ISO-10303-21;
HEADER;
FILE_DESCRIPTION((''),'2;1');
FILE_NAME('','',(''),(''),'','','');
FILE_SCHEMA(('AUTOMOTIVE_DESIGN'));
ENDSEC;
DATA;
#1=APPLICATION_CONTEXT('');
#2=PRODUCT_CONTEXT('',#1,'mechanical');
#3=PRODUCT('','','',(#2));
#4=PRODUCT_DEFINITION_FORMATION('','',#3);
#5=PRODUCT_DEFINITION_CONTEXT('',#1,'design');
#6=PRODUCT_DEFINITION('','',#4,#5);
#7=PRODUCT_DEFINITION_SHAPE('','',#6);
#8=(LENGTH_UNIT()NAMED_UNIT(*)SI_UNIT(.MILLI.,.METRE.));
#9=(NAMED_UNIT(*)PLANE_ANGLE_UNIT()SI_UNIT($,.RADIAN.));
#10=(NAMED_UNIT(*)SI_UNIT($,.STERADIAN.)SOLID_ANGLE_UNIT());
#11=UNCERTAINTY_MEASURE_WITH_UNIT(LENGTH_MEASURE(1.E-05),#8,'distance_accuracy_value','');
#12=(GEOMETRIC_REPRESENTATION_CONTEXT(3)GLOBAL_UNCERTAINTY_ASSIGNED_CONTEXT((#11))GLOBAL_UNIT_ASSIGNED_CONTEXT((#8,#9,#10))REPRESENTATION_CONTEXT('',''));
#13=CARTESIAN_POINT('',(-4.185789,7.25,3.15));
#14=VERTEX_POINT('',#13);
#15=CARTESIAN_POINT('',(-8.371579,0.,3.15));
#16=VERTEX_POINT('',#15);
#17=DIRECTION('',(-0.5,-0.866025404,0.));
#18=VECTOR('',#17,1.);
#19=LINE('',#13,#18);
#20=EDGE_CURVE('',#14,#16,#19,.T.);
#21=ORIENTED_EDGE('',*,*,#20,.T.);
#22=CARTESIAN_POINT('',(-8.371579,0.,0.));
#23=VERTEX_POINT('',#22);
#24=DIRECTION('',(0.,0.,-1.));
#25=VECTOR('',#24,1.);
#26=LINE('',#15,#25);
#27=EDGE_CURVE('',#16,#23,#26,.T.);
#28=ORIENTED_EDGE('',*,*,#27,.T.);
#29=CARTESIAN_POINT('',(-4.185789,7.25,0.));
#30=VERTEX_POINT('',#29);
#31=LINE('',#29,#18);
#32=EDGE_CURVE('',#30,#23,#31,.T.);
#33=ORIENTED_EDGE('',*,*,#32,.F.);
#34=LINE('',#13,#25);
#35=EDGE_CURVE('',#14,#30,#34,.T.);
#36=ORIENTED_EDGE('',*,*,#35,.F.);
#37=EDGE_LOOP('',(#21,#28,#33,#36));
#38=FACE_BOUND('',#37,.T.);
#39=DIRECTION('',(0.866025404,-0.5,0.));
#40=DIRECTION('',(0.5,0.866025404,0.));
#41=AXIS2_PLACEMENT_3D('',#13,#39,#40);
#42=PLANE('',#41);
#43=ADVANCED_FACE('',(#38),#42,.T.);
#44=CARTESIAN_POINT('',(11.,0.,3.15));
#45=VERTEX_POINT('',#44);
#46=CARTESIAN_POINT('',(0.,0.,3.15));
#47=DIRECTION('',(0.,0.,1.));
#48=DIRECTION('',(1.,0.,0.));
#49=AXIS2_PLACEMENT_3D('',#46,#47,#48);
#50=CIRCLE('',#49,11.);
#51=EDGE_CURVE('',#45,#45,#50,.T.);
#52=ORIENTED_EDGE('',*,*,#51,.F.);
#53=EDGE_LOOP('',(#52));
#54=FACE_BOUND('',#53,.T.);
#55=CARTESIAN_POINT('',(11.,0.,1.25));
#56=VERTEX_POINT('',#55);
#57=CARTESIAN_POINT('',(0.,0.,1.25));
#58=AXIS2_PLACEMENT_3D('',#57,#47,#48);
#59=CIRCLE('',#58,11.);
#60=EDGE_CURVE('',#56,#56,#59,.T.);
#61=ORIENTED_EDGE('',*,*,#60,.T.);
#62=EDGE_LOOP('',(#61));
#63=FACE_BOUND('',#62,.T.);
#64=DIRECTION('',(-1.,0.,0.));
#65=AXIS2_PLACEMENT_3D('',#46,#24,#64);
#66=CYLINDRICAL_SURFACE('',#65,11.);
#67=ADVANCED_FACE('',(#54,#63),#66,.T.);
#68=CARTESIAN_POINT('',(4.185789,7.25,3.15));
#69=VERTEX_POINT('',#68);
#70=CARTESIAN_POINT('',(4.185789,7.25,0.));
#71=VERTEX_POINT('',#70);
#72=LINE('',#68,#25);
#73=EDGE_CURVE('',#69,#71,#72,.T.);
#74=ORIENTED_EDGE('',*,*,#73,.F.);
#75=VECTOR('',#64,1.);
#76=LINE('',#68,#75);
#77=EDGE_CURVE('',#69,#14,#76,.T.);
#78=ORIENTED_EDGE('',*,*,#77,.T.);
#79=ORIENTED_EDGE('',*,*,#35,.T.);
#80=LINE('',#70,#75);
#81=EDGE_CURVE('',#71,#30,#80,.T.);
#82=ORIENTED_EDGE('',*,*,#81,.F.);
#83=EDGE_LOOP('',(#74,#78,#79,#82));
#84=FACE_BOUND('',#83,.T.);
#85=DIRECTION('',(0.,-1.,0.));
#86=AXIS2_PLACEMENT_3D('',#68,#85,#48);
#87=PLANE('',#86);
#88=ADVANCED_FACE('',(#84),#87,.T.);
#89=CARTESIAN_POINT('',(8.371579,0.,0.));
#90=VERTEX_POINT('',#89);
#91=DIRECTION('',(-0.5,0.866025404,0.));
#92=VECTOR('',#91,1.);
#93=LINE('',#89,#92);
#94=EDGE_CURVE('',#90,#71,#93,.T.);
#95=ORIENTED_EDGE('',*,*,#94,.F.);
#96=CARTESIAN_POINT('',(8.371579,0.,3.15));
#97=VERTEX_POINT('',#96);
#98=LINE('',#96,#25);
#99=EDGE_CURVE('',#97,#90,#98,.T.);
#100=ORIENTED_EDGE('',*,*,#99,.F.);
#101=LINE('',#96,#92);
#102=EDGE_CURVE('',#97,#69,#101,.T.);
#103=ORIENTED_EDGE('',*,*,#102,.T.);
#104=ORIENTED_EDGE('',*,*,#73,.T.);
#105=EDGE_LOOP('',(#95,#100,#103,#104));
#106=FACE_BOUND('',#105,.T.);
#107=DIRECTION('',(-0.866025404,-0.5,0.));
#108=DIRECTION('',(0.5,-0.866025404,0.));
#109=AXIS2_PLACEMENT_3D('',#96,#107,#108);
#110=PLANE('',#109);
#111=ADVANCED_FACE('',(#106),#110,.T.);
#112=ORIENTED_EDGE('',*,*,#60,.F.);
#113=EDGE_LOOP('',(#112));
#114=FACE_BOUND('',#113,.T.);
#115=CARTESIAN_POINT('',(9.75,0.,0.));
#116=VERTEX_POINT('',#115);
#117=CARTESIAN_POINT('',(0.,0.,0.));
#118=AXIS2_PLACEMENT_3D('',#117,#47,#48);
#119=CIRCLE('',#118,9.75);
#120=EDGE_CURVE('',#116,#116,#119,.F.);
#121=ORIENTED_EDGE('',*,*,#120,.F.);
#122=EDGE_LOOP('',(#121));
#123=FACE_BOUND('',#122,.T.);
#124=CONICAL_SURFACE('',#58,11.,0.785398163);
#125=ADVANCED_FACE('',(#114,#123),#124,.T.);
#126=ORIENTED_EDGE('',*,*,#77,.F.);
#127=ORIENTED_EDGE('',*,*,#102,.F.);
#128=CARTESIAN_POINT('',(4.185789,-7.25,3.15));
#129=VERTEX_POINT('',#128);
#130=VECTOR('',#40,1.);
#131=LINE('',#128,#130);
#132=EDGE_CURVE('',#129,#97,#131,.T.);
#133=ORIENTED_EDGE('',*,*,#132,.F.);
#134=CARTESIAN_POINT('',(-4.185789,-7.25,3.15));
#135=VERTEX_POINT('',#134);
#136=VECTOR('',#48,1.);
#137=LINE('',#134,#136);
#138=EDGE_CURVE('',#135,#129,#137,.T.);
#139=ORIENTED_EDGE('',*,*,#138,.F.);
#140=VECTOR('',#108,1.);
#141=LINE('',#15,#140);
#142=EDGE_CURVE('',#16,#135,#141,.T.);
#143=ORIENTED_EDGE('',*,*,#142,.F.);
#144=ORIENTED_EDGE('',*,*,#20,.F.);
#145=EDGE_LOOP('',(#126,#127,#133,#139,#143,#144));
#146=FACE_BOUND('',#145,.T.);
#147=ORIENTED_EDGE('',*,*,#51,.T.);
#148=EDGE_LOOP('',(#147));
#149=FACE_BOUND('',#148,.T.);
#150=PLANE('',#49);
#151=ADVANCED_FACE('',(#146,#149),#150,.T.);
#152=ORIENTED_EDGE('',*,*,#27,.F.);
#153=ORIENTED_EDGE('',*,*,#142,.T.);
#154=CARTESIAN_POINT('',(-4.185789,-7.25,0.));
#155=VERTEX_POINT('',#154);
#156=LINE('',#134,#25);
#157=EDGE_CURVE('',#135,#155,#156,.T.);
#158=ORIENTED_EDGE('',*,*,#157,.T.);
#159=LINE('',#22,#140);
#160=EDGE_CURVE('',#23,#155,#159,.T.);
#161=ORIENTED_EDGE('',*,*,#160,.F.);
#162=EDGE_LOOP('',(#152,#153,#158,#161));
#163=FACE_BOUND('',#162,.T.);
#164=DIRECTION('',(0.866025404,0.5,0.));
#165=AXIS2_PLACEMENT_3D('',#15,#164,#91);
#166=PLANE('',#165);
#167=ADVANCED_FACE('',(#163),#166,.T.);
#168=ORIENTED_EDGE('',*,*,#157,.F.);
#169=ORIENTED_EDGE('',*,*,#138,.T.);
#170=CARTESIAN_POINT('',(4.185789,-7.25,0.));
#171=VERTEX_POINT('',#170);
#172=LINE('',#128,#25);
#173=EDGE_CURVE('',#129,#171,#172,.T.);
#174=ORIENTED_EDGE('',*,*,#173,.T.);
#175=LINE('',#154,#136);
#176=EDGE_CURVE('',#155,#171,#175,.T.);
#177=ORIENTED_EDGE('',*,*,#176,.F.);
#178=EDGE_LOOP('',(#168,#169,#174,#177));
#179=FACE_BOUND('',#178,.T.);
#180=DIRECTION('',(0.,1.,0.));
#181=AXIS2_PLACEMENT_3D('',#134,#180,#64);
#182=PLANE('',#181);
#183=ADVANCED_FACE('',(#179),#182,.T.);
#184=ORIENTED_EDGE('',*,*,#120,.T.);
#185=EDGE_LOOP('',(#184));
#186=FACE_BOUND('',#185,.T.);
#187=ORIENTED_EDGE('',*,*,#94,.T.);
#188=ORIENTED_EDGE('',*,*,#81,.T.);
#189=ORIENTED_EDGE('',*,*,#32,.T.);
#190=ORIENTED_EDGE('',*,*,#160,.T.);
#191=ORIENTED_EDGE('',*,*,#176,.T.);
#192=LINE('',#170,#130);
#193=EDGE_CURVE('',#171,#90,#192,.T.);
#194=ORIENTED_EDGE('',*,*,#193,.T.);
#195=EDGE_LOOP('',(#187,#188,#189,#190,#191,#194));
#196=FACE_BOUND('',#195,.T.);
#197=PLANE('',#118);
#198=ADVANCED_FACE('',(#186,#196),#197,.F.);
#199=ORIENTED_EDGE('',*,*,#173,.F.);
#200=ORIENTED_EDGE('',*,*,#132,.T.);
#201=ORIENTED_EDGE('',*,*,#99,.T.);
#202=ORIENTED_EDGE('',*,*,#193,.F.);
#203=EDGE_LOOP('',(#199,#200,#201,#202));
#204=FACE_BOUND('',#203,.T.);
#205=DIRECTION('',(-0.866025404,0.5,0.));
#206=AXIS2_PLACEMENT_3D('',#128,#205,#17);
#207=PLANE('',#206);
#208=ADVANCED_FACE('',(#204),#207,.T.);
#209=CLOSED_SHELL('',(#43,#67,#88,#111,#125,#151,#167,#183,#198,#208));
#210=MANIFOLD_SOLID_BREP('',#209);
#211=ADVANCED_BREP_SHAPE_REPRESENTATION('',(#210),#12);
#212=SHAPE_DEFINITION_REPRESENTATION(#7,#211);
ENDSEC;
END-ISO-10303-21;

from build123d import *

# Parameters (mm, degrees)
SKETCH1_R           = 11
BOSS_EXTRUDE1_DEPTH = 3.15
CHAMFER1_SIZE       = 1.25


with BuildPart() as part:
    # Sketch1 → Boss-Extrude1 (new body)
    with BuildSketch(Plane.XY):
        Circle(SKETCH1_R)
        Polygon((8.371578903, 0), (4.185789452, 7.25), (-4.185789452, 7.25), (-8.371578903, 0), (-4.185789452, -7.25), (4.185789452, -7.25), align=None, mode=Mode.SUBTRACT)
    extrude(amount=BOSS_EXTRUDE1_DEPTH)

    # Chamfer1
    chamfer1_edges = [part.edges().sort_by_distance(p)[0] for p in [
        (-11, 0, 0),
    ]]
    chamfer(chamfer1_edges, length=CHAMFER1_SIZE)


solid = part.part
